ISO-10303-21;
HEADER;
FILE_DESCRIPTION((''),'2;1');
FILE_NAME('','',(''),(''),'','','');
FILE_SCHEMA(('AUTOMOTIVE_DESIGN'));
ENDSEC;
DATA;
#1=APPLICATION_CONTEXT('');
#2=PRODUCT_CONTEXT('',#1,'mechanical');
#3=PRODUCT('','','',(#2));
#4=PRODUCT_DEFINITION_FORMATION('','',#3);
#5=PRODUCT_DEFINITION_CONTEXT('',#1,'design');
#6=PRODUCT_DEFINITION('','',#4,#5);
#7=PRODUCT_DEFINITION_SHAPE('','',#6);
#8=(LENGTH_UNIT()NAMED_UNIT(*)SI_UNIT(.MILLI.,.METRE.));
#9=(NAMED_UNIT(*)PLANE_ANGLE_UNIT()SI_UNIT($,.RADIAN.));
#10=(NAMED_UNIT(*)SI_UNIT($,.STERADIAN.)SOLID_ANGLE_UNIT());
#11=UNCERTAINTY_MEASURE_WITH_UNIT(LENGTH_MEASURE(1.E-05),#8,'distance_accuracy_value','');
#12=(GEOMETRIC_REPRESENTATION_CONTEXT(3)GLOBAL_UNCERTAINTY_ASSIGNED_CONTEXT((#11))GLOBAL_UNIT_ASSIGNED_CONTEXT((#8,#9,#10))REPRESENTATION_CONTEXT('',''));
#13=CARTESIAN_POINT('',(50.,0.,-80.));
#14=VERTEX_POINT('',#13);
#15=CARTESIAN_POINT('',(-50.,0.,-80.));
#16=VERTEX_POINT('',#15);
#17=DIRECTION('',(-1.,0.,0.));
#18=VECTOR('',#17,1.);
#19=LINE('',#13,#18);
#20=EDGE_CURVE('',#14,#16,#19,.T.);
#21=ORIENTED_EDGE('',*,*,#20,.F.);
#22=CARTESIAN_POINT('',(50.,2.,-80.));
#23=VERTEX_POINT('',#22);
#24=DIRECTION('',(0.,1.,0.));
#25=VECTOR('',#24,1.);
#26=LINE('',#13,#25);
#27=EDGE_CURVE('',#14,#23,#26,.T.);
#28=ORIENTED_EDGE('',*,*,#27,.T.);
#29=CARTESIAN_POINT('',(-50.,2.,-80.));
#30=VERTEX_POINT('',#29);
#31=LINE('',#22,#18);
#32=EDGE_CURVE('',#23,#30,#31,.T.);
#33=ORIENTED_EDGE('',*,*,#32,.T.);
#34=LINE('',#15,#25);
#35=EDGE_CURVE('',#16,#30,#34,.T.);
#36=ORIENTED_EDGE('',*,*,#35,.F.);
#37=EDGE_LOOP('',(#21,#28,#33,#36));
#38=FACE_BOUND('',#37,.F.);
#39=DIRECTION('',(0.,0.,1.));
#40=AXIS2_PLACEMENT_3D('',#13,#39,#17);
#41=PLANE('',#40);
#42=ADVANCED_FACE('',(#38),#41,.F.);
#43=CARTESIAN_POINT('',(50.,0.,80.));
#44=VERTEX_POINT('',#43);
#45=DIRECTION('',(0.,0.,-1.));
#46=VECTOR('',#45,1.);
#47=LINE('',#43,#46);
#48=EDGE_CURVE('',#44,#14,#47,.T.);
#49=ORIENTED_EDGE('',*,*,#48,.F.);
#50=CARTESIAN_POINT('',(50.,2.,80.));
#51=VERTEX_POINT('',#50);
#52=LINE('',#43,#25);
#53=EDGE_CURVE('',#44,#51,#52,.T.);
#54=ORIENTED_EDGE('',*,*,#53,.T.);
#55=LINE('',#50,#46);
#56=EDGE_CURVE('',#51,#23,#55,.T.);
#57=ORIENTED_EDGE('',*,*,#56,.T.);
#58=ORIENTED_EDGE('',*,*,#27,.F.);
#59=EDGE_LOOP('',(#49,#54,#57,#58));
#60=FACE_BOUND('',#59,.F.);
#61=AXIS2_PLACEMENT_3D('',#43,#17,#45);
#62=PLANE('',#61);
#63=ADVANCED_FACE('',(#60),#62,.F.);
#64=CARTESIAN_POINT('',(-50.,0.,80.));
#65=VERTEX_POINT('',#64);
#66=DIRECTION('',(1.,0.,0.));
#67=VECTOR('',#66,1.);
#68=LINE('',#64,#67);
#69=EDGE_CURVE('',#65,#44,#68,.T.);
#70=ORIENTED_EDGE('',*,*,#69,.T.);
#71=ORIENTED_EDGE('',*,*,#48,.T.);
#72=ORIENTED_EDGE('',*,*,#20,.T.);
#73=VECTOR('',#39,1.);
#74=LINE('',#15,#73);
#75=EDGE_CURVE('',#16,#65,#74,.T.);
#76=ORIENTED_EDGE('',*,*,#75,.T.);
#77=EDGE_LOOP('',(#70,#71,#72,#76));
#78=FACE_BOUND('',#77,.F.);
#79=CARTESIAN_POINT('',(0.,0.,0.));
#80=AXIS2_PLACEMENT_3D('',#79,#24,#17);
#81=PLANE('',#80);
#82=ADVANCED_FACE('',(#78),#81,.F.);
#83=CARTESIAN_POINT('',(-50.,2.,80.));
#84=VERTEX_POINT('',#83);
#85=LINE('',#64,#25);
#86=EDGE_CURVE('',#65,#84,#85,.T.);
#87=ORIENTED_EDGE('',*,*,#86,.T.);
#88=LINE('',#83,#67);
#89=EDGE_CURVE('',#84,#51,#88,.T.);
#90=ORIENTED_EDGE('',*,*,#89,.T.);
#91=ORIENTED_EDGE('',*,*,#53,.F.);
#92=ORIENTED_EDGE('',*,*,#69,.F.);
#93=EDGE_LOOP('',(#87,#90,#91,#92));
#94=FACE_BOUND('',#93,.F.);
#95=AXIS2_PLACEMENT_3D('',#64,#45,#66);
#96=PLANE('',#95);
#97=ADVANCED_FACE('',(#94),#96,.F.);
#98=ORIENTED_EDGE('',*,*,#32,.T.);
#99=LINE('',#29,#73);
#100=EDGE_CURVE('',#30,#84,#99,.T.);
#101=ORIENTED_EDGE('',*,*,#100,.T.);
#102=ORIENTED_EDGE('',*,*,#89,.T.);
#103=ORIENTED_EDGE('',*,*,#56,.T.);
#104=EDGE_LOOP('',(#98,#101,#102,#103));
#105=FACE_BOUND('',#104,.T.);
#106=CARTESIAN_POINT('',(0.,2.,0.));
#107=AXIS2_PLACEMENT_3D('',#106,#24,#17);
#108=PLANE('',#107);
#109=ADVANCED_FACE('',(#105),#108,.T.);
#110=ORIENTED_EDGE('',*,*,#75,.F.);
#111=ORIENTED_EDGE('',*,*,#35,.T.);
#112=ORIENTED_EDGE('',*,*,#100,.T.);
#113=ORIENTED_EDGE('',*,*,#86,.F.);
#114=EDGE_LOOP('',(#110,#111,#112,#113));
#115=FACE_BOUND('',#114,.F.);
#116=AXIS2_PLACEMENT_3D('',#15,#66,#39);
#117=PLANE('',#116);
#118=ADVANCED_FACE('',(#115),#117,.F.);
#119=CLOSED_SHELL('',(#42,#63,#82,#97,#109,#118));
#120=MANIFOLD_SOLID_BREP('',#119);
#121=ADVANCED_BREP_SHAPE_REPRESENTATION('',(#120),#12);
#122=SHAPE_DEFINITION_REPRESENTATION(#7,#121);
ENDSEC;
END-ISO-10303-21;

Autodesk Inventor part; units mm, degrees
ref_plane "YZ Plane" through (0, 0, 0) normal (1, 0, 0) x (0, 1, 0)
ref_plane "XZ Plane" through (0, 0, 0) normal (0, 1, 0) x (-1, 0, 0)
ref_plane "XY Plane" through (0, 0, 0) normal (0, 0, 1) x (1, 0, 0)
sketch "스케치1" plane through (0, 0, 0) normal (0, 1, 0) x (-1, 0, 0)
  line L0 (50, 80) -> (-50, 80)
  line L1 (-50, 80) -> (-50, -80)
  line L2 (-50, -80) -> (50, -80)
  line L3 (50, -80) -> (50, 80)
  point P0 (0, 0)
  dimension "d0" = 80
  dimension "d1" = 80
  dimension "d2" = 50
  dimension "d3" = 50
extrude "돌출1" add sketch "스케치1" along normal blind 2
properties part number "만능기판"
